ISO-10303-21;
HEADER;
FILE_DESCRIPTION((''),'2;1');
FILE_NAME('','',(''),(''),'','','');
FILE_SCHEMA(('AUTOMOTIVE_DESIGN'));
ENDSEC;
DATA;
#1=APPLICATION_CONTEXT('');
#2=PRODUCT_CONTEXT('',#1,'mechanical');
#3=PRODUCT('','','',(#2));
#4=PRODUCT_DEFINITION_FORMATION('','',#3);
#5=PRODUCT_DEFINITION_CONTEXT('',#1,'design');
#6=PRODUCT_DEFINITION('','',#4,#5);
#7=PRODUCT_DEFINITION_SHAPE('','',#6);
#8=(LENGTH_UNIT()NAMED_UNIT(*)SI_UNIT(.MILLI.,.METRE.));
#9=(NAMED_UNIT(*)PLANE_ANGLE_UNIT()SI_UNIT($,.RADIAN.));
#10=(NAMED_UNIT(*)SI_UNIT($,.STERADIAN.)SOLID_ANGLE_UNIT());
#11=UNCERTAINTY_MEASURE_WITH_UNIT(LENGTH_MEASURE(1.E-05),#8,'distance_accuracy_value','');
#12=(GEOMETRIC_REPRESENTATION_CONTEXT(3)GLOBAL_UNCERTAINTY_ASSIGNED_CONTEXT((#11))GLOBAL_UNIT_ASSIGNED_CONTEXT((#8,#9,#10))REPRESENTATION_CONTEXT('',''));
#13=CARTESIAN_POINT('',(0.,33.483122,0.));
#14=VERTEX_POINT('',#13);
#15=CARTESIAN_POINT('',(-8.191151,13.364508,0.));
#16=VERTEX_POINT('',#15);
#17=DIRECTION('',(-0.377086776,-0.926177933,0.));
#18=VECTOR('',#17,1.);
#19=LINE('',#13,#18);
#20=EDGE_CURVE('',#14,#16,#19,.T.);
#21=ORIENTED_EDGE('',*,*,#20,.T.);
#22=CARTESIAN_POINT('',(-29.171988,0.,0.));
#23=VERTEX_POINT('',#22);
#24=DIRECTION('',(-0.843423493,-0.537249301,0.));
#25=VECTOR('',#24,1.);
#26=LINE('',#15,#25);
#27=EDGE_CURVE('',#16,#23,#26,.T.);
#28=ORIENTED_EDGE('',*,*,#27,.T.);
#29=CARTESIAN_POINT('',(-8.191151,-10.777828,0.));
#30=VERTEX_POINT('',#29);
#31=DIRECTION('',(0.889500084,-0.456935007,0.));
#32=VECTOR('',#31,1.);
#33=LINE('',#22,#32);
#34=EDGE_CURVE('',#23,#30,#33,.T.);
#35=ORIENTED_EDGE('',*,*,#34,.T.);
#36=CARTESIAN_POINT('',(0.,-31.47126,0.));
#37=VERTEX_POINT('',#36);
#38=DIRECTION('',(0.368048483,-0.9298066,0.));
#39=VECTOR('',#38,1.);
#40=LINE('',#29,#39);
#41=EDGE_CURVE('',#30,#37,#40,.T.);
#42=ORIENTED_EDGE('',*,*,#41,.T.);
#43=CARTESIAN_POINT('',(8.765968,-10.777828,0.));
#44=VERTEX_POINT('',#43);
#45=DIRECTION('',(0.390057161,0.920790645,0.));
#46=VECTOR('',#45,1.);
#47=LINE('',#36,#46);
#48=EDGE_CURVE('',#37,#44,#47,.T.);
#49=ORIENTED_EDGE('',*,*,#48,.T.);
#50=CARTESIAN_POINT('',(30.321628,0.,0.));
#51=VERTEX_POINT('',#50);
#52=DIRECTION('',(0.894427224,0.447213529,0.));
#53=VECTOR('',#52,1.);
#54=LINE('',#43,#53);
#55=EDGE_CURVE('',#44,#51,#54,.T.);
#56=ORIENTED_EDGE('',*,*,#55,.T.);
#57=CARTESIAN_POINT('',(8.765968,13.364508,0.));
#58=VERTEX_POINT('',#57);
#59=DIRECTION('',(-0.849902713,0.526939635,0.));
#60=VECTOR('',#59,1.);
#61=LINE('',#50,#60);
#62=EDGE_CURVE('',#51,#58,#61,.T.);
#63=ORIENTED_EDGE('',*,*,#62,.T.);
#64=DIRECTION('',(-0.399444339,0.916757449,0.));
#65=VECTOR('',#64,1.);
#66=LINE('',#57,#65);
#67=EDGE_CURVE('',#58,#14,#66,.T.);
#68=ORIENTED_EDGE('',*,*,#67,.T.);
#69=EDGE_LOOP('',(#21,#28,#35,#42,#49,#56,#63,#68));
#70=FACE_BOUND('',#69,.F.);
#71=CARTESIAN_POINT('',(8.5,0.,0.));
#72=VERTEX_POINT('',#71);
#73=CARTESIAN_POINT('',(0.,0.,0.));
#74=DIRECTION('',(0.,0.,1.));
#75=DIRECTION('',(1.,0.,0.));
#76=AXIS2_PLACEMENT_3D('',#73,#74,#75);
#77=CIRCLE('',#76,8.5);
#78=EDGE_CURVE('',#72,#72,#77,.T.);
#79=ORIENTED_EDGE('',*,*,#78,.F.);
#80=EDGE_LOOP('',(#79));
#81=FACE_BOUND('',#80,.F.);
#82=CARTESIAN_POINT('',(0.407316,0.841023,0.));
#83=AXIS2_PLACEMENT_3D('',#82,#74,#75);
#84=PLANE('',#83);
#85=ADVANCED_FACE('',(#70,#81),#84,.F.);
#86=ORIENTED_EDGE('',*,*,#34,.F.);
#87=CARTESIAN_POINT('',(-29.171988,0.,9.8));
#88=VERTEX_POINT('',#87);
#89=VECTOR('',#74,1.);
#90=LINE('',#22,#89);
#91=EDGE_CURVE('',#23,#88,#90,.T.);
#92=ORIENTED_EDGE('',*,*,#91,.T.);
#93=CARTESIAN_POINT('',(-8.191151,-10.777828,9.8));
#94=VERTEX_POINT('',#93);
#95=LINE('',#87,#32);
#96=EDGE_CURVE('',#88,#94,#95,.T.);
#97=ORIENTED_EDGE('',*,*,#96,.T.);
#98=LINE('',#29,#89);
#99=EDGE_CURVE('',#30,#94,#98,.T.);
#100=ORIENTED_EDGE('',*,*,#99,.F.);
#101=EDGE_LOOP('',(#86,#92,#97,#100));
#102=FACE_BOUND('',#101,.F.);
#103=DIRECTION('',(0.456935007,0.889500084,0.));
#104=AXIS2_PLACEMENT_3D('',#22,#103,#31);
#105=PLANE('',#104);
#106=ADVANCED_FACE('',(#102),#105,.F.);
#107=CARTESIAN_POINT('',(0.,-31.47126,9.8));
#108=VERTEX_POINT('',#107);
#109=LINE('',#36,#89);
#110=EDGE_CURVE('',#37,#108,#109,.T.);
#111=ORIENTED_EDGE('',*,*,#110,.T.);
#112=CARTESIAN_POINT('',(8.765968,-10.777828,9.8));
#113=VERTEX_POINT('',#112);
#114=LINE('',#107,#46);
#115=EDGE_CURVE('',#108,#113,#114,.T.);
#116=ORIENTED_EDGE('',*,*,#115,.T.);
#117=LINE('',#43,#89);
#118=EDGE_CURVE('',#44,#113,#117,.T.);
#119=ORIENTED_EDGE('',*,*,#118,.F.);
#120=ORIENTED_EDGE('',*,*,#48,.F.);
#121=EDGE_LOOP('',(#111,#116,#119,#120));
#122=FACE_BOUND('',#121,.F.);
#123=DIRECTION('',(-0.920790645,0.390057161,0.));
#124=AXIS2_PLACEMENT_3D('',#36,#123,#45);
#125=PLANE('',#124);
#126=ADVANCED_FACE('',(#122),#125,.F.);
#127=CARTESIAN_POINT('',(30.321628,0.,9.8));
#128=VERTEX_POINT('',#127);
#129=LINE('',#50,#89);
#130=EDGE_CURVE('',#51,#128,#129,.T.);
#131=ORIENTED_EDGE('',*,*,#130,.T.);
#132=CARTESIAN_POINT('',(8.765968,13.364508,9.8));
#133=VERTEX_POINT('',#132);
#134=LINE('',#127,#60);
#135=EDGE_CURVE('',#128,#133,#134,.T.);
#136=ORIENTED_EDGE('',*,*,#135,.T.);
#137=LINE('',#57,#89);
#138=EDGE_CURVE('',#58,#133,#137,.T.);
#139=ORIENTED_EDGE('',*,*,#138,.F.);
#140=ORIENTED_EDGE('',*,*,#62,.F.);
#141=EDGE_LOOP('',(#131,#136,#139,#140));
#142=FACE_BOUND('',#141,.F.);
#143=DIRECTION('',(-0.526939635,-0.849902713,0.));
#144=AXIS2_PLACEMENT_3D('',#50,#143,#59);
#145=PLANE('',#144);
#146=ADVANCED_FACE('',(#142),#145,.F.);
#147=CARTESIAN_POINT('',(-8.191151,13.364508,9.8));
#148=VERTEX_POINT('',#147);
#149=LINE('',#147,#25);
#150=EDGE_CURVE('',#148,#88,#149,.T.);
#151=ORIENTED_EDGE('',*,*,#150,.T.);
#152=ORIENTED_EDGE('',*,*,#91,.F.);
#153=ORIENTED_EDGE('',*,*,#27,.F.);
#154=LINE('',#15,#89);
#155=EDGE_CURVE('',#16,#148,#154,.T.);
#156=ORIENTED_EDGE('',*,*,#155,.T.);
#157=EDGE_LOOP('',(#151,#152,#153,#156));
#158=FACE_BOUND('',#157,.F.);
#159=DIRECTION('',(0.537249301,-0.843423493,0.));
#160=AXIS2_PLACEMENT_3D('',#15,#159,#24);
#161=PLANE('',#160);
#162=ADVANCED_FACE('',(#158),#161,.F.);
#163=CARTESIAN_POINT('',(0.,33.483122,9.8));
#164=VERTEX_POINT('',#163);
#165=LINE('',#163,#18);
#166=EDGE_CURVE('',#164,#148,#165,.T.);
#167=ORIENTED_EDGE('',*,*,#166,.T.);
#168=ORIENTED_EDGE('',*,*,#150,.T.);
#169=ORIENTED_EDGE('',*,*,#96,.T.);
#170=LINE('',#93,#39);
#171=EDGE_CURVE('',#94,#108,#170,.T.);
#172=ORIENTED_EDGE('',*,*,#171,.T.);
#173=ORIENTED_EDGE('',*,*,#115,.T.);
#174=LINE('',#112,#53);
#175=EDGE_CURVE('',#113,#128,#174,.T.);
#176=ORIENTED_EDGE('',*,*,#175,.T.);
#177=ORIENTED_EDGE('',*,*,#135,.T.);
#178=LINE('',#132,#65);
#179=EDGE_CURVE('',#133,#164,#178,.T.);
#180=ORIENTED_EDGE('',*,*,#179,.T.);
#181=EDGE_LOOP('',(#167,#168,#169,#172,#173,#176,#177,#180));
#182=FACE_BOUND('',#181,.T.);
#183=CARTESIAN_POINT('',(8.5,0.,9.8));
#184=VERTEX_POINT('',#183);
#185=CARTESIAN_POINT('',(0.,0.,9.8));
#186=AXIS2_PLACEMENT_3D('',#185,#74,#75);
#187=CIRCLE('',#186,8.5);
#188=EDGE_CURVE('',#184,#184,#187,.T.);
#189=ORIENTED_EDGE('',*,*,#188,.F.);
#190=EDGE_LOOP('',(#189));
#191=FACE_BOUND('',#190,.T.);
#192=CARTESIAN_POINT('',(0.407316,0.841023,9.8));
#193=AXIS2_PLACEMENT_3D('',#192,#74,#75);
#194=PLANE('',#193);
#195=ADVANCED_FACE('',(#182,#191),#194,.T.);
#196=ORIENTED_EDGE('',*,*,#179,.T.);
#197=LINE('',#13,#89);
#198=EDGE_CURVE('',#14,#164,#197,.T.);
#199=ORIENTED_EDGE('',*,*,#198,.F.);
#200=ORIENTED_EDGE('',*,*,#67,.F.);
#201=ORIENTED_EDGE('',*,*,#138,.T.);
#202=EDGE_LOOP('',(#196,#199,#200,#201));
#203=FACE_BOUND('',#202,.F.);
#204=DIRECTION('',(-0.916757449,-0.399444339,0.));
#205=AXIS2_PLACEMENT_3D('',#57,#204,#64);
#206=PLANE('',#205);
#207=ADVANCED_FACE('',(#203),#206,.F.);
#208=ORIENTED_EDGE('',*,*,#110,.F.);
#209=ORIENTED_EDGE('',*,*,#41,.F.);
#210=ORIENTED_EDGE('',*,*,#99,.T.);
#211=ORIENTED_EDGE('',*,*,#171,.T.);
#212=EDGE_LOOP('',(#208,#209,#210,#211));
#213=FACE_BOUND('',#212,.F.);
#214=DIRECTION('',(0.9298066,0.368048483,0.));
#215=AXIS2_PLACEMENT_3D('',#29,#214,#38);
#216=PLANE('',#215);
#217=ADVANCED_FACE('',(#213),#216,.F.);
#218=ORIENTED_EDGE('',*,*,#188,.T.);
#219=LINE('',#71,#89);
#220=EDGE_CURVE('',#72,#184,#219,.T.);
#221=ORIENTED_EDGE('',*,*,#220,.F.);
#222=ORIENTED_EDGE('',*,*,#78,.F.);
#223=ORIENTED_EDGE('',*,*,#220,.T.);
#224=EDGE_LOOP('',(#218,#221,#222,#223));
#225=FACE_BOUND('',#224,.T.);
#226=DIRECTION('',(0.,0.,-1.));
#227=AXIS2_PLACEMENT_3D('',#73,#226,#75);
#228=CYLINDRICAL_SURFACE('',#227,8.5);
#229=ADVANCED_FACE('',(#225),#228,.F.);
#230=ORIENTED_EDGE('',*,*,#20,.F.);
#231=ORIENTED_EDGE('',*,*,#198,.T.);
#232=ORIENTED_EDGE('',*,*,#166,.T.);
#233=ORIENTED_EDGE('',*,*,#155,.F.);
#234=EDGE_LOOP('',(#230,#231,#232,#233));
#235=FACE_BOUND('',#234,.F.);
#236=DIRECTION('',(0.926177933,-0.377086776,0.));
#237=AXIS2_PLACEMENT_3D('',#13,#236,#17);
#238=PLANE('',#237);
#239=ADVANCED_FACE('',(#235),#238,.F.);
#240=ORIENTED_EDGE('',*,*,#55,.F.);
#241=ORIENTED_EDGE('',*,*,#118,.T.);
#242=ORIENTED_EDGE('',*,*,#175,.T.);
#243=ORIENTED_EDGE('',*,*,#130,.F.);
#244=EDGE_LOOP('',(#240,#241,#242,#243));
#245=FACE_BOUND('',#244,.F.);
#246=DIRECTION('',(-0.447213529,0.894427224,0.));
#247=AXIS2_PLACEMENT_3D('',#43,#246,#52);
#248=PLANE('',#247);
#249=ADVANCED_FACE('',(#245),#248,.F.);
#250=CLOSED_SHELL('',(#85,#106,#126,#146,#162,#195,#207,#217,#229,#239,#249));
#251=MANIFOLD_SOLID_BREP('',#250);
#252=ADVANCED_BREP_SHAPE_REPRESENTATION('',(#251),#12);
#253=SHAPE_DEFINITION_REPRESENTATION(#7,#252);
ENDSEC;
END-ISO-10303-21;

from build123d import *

# Parameters (mm, degrees)
F0_R     = 8.5
F1_DEPTH = 9.8


with BuildPart() as f1:
    # F0 (on Top) → F1 (new body)
    with BuildSketch(Plane.XY):
        Polygon((30.321628, 0), (8.765968, 13.364508), (0, 33.483122), (-8.191151, 13.364508), (-29.171988, 0), (-8.191151, -10.777828), (0, -31.47126), (8.765968, -10.777828), align=None)
        Circle(F0_R, mode=Mode.SUBTRACT)
    extrude(amount=F1_DEPTH)


solid = f1.part
